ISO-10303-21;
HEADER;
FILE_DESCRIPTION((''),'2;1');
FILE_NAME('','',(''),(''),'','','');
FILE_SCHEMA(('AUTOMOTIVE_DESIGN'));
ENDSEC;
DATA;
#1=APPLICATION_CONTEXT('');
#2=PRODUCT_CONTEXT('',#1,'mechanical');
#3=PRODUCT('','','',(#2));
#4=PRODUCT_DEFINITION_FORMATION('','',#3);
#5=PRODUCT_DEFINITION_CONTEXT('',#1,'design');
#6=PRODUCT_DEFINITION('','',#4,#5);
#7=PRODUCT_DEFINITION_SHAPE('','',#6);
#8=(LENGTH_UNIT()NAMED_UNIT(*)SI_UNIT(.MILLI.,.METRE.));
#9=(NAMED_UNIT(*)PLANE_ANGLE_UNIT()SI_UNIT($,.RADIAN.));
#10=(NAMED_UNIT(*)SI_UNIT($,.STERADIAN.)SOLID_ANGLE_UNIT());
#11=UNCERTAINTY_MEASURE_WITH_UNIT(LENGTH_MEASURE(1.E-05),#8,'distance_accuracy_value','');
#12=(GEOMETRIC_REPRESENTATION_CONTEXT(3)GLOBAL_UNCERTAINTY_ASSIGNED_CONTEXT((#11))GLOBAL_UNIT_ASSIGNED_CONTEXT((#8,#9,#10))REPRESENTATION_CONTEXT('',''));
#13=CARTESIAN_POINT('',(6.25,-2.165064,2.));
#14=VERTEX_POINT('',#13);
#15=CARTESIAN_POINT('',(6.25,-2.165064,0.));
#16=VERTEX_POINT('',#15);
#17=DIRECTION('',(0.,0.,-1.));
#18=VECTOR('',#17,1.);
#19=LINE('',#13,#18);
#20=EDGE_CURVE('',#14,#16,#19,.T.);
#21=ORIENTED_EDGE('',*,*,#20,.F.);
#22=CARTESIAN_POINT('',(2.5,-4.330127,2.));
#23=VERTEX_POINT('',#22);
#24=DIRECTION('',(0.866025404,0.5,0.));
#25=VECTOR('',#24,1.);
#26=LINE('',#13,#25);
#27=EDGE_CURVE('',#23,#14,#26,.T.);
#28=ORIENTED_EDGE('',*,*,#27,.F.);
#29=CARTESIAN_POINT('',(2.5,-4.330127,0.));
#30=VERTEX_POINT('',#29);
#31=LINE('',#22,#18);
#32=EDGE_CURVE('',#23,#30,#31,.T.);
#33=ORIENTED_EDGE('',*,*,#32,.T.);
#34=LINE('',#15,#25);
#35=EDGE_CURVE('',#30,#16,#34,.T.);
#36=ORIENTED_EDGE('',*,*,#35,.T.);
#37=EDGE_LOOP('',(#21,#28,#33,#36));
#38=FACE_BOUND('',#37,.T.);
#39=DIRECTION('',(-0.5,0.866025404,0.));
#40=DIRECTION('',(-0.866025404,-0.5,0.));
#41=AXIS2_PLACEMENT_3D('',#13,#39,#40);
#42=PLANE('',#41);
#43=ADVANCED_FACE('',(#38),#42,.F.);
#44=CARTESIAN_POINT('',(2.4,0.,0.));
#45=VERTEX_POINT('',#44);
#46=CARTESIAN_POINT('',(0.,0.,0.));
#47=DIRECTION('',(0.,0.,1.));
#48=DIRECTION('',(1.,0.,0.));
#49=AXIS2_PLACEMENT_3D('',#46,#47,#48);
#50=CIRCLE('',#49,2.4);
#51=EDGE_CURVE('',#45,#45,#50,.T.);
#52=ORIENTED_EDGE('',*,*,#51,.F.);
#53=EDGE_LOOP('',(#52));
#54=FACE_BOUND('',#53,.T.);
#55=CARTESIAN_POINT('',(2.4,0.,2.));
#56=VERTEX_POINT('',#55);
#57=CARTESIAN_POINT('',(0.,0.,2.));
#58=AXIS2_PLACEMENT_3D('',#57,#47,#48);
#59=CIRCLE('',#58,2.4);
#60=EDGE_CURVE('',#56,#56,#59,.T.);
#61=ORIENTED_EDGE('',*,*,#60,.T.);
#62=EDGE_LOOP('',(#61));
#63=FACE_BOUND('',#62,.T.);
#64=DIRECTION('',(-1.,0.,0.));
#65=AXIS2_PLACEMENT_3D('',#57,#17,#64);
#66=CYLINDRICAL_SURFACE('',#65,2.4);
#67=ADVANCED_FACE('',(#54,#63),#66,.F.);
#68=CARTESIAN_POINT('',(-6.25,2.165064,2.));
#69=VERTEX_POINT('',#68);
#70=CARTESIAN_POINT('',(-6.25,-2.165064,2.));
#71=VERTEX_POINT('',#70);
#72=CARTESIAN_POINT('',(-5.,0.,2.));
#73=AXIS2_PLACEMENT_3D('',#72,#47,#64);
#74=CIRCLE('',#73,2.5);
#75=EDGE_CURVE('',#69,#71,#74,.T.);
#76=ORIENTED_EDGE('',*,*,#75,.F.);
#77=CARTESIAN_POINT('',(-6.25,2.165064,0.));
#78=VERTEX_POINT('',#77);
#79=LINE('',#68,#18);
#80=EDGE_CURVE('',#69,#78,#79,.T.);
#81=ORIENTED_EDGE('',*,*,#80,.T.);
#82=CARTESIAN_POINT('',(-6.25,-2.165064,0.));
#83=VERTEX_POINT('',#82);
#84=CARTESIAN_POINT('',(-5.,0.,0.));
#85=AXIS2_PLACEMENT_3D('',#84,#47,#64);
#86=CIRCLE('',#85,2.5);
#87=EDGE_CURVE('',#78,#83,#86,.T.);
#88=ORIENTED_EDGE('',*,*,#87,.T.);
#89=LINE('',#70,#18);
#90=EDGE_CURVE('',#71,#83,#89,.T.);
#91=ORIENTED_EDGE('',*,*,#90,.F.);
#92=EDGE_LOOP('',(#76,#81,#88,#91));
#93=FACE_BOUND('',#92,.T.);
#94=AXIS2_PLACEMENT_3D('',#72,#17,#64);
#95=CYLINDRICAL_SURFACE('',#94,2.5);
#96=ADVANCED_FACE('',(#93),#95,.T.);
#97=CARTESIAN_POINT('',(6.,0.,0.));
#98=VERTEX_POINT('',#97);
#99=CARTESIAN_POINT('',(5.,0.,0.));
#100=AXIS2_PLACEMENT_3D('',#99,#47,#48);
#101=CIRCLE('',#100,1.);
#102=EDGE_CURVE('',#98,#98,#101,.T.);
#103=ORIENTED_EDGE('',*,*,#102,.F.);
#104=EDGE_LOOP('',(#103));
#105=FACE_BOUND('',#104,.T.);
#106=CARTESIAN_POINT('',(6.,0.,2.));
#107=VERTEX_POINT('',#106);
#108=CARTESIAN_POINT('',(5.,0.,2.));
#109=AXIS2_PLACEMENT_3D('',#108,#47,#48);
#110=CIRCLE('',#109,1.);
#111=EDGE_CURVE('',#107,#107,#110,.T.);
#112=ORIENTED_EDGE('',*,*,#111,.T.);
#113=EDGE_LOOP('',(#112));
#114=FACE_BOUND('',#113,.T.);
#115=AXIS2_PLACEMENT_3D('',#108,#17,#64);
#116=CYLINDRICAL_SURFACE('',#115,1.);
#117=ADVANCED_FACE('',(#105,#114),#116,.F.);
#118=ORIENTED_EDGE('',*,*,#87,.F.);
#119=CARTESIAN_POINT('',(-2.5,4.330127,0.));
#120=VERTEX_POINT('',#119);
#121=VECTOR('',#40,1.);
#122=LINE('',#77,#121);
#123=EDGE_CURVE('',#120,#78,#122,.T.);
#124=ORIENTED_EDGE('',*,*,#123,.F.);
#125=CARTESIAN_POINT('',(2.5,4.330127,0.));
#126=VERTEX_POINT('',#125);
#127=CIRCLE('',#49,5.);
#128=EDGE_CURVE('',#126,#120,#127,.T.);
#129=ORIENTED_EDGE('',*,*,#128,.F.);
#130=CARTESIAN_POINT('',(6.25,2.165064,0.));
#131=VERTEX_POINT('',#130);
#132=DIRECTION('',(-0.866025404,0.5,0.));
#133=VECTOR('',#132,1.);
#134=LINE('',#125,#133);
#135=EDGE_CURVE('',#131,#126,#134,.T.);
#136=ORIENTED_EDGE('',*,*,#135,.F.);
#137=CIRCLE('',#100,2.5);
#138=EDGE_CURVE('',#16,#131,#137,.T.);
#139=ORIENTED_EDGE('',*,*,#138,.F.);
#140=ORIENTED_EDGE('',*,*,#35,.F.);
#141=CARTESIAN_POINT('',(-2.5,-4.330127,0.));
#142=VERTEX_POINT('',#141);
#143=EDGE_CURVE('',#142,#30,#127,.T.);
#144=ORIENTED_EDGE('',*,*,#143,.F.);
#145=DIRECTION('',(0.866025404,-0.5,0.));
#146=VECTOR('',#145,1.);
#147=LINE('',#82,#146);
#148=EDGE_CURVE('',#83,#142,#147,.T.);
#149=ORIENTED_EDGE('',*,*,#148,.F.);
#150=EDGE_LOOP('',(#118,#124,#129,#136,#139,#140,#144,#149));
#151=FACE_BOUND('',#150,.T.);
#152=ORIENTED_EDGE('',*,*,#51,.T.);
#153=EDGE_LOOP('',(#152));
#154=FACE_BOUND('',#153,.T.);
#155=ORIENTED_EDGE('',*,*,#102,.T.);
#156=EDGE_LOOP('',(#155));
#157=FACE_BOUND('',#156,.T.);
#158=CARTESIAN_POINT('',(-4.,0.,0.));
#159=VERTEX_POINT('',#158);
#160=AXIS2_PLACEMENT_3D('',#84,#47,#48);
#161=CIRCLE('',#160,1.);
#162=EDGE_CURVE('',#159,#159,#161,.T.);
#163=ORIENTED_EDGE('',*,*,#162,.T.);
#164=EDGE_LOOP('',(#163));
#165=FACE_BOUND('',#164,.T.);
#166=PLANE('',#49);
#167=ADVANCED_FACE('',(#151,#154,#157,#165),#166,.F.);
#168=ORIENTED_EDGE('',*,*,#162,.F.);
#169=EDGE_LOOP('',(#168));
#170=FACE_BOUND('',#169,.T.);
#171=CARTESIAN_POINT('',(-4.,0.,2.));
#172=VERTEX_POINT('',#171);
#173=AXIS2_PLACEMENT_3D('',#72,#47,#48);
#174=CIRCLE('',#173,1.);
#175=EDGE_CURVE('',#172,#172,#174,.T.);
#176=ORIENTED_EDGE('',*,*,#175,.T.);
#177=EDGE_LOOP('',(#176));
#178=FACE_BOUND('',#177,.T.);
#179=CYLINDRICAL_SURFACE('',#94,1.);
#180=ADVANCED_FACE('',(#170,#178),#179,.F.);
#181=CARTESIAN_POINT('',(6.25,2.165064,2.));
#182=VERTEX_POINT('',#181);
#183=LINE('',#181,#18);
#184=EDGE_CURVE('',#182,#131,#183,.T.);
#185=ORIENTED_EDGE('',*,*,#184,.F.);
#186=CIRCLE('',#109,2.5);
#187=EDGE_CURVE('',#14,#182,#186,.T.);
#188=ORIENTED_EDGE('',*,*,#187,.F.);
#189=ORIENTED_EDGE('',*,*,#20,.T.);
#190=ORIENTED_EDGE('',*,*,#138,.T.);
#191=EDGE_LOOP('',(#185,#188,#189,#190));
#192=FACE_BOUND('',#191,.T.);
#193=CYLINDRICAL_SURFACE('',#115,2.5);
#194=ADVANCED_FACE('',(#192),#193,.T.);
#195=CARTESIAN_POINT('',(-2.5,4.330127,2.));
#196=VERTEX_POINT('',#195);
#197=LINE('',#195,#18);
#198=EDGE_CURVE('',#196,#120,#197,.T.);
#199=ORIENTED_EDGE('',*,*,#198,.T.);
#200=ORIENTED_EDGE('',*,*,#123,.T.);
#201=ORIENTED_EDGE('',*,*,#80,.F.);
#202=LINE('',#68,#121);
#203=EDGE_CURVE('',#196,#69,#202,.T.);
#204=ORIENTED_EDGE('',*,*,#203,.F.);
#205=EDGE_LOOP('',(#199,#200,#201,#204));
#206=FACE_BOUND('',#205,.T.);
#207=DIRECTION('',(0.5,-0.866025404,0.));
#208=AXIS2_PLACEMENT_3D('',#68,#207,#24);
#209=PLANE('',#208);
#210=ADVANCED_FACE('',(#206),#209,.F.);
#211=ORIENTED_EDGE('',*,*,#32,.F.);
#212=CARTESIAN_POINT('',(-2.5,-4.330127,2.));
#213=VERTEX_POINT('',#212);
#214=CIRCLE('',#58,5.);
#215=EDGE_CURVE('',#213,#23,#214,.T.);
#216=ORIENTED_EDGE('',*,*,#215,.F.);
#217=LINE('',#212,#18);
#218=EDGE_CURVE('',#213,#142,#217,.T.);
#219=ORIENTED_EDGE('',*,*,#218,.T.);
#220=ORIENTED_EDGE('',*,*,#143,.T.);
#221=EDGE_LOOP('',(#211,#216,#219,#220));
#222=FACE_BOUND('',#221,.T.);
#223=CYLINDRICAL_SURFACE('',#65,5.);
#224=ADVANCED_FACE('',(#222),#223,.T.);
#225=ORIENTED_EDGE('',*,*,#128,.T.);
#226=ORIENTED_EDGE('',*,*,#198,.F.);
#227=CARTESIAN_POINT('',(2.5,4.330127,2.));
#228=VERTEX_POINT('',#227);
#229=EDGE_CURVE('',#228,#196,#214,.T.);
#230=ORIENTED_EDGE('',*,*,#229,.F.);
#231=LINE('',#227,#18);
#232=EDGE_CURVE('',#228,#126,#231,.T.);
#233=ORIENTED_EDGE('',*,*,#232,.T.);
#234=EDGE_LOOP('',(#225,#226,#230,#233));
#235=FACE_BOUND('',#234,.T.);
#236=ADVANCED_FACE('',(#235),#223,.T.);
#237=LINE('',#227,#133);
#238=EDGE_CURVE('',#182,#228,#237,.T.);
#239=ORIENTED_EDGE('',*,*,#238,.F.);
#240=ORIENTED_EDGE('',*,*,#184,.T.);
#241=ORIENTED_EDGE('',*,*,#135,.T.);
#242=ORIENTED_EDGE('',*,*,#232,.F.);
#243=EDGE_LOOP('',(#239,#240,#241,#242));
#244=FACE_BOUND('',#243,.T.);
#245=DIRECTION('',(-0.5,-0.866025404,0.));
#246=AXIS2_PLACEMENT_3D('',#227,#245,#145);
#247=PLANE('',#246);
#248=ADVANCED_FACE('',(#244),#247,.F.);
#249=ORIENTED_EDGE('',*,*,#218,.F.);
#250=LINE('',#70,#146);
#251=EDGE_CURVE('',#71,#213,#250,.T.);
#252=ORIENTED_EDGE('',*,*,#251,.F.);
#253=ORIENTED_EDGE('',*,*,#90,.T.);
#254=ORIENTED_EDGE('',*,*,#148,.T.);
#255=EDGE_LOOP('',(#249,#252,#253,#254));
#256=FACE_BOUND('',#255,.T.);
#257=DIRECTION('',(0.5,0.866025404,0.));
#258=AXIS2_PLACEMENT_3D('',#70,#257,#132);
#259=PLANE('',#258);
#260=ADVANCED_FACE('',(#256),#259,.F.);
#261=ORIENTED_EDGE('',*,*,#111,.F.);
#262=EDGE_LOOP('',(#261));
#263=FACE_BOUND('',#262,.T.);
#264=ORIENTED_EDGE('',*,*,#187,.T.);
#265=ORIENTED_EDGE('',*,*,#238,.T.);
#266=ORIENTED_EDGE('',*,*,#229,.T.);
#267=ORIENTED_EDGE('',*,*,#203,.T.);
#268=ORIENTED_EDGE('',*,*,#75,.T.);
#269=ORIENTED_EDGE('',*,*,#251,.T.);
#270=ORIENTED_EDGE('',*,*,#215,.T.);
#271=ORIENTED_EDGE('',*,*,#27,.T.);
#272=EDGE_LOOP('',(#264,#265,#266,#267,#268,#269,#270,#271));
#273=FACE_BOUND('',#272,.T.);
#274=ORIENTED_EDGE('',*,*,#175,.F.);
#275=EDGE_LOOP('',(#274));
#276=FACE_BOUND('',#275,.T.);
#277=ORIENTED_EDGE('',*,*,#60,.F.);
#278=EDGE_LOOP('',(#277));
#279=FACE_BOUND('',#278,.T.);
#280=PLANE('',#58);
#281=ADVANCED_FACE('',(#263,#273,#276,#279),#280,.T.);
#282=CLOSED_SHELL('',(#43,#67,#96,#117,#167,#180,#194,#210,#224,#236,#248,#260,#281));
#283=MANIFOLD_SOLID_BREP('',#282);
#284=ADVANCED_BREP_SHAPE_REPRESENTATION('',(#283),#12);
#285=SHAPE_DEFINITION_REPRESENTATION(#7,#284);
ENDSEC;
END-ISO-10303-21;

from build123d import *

# Parameters (mm, degrees)
SKETCH_1_R      = 2.4
SKETCH_1_R_2    = 1
EXTRUDE_1_DEPTH = 2


with BuildPart() as part:
    # 草图1 → 凸台-拉伸1 (new body)
    with BuildSketch(Plane.XY):
        with BuildLine():
            Line((-6.25, 2.165063509), (-2.5, 4.330127019))
            ThreePointArc((-2.5, 4.330127019), (0, 5), (2.5, 4.330127019))
            Line((2.5, 4.330127019), (6.25, 2.165063509))
            ThreePointArc((6.25, 2.165063509), (7.5, 0), (6.25, -2.165063509))
            Line((6.25, -2.165063509), (2.5, -4.330127019))
            ThreePointArc((2.5, -4.330127019), (0, -5), (-2.5, -4.330127019))
            Line((-2.5, -4.330127019), (-6.25, -2.165063509))
            ThreePointArc((-6.25, -2.165063509), (-7.5, 0), (-6.25, 2.165063509))
        make_face()
        Circle(SKETCH_1_R, mode=Mode.SUBTRACT)
        with Locations((-5, 0)):
            Circle(SKETCH_1_R_2, mode=Mode.SUBTRACT)
        with Locations((5, 0)):
            Circle(SKETCH_1_R_2, mode=Mode.SUBTRACT)
    extrude(amount=EXTRUDE_1_DEPTH)


solid = part.part
